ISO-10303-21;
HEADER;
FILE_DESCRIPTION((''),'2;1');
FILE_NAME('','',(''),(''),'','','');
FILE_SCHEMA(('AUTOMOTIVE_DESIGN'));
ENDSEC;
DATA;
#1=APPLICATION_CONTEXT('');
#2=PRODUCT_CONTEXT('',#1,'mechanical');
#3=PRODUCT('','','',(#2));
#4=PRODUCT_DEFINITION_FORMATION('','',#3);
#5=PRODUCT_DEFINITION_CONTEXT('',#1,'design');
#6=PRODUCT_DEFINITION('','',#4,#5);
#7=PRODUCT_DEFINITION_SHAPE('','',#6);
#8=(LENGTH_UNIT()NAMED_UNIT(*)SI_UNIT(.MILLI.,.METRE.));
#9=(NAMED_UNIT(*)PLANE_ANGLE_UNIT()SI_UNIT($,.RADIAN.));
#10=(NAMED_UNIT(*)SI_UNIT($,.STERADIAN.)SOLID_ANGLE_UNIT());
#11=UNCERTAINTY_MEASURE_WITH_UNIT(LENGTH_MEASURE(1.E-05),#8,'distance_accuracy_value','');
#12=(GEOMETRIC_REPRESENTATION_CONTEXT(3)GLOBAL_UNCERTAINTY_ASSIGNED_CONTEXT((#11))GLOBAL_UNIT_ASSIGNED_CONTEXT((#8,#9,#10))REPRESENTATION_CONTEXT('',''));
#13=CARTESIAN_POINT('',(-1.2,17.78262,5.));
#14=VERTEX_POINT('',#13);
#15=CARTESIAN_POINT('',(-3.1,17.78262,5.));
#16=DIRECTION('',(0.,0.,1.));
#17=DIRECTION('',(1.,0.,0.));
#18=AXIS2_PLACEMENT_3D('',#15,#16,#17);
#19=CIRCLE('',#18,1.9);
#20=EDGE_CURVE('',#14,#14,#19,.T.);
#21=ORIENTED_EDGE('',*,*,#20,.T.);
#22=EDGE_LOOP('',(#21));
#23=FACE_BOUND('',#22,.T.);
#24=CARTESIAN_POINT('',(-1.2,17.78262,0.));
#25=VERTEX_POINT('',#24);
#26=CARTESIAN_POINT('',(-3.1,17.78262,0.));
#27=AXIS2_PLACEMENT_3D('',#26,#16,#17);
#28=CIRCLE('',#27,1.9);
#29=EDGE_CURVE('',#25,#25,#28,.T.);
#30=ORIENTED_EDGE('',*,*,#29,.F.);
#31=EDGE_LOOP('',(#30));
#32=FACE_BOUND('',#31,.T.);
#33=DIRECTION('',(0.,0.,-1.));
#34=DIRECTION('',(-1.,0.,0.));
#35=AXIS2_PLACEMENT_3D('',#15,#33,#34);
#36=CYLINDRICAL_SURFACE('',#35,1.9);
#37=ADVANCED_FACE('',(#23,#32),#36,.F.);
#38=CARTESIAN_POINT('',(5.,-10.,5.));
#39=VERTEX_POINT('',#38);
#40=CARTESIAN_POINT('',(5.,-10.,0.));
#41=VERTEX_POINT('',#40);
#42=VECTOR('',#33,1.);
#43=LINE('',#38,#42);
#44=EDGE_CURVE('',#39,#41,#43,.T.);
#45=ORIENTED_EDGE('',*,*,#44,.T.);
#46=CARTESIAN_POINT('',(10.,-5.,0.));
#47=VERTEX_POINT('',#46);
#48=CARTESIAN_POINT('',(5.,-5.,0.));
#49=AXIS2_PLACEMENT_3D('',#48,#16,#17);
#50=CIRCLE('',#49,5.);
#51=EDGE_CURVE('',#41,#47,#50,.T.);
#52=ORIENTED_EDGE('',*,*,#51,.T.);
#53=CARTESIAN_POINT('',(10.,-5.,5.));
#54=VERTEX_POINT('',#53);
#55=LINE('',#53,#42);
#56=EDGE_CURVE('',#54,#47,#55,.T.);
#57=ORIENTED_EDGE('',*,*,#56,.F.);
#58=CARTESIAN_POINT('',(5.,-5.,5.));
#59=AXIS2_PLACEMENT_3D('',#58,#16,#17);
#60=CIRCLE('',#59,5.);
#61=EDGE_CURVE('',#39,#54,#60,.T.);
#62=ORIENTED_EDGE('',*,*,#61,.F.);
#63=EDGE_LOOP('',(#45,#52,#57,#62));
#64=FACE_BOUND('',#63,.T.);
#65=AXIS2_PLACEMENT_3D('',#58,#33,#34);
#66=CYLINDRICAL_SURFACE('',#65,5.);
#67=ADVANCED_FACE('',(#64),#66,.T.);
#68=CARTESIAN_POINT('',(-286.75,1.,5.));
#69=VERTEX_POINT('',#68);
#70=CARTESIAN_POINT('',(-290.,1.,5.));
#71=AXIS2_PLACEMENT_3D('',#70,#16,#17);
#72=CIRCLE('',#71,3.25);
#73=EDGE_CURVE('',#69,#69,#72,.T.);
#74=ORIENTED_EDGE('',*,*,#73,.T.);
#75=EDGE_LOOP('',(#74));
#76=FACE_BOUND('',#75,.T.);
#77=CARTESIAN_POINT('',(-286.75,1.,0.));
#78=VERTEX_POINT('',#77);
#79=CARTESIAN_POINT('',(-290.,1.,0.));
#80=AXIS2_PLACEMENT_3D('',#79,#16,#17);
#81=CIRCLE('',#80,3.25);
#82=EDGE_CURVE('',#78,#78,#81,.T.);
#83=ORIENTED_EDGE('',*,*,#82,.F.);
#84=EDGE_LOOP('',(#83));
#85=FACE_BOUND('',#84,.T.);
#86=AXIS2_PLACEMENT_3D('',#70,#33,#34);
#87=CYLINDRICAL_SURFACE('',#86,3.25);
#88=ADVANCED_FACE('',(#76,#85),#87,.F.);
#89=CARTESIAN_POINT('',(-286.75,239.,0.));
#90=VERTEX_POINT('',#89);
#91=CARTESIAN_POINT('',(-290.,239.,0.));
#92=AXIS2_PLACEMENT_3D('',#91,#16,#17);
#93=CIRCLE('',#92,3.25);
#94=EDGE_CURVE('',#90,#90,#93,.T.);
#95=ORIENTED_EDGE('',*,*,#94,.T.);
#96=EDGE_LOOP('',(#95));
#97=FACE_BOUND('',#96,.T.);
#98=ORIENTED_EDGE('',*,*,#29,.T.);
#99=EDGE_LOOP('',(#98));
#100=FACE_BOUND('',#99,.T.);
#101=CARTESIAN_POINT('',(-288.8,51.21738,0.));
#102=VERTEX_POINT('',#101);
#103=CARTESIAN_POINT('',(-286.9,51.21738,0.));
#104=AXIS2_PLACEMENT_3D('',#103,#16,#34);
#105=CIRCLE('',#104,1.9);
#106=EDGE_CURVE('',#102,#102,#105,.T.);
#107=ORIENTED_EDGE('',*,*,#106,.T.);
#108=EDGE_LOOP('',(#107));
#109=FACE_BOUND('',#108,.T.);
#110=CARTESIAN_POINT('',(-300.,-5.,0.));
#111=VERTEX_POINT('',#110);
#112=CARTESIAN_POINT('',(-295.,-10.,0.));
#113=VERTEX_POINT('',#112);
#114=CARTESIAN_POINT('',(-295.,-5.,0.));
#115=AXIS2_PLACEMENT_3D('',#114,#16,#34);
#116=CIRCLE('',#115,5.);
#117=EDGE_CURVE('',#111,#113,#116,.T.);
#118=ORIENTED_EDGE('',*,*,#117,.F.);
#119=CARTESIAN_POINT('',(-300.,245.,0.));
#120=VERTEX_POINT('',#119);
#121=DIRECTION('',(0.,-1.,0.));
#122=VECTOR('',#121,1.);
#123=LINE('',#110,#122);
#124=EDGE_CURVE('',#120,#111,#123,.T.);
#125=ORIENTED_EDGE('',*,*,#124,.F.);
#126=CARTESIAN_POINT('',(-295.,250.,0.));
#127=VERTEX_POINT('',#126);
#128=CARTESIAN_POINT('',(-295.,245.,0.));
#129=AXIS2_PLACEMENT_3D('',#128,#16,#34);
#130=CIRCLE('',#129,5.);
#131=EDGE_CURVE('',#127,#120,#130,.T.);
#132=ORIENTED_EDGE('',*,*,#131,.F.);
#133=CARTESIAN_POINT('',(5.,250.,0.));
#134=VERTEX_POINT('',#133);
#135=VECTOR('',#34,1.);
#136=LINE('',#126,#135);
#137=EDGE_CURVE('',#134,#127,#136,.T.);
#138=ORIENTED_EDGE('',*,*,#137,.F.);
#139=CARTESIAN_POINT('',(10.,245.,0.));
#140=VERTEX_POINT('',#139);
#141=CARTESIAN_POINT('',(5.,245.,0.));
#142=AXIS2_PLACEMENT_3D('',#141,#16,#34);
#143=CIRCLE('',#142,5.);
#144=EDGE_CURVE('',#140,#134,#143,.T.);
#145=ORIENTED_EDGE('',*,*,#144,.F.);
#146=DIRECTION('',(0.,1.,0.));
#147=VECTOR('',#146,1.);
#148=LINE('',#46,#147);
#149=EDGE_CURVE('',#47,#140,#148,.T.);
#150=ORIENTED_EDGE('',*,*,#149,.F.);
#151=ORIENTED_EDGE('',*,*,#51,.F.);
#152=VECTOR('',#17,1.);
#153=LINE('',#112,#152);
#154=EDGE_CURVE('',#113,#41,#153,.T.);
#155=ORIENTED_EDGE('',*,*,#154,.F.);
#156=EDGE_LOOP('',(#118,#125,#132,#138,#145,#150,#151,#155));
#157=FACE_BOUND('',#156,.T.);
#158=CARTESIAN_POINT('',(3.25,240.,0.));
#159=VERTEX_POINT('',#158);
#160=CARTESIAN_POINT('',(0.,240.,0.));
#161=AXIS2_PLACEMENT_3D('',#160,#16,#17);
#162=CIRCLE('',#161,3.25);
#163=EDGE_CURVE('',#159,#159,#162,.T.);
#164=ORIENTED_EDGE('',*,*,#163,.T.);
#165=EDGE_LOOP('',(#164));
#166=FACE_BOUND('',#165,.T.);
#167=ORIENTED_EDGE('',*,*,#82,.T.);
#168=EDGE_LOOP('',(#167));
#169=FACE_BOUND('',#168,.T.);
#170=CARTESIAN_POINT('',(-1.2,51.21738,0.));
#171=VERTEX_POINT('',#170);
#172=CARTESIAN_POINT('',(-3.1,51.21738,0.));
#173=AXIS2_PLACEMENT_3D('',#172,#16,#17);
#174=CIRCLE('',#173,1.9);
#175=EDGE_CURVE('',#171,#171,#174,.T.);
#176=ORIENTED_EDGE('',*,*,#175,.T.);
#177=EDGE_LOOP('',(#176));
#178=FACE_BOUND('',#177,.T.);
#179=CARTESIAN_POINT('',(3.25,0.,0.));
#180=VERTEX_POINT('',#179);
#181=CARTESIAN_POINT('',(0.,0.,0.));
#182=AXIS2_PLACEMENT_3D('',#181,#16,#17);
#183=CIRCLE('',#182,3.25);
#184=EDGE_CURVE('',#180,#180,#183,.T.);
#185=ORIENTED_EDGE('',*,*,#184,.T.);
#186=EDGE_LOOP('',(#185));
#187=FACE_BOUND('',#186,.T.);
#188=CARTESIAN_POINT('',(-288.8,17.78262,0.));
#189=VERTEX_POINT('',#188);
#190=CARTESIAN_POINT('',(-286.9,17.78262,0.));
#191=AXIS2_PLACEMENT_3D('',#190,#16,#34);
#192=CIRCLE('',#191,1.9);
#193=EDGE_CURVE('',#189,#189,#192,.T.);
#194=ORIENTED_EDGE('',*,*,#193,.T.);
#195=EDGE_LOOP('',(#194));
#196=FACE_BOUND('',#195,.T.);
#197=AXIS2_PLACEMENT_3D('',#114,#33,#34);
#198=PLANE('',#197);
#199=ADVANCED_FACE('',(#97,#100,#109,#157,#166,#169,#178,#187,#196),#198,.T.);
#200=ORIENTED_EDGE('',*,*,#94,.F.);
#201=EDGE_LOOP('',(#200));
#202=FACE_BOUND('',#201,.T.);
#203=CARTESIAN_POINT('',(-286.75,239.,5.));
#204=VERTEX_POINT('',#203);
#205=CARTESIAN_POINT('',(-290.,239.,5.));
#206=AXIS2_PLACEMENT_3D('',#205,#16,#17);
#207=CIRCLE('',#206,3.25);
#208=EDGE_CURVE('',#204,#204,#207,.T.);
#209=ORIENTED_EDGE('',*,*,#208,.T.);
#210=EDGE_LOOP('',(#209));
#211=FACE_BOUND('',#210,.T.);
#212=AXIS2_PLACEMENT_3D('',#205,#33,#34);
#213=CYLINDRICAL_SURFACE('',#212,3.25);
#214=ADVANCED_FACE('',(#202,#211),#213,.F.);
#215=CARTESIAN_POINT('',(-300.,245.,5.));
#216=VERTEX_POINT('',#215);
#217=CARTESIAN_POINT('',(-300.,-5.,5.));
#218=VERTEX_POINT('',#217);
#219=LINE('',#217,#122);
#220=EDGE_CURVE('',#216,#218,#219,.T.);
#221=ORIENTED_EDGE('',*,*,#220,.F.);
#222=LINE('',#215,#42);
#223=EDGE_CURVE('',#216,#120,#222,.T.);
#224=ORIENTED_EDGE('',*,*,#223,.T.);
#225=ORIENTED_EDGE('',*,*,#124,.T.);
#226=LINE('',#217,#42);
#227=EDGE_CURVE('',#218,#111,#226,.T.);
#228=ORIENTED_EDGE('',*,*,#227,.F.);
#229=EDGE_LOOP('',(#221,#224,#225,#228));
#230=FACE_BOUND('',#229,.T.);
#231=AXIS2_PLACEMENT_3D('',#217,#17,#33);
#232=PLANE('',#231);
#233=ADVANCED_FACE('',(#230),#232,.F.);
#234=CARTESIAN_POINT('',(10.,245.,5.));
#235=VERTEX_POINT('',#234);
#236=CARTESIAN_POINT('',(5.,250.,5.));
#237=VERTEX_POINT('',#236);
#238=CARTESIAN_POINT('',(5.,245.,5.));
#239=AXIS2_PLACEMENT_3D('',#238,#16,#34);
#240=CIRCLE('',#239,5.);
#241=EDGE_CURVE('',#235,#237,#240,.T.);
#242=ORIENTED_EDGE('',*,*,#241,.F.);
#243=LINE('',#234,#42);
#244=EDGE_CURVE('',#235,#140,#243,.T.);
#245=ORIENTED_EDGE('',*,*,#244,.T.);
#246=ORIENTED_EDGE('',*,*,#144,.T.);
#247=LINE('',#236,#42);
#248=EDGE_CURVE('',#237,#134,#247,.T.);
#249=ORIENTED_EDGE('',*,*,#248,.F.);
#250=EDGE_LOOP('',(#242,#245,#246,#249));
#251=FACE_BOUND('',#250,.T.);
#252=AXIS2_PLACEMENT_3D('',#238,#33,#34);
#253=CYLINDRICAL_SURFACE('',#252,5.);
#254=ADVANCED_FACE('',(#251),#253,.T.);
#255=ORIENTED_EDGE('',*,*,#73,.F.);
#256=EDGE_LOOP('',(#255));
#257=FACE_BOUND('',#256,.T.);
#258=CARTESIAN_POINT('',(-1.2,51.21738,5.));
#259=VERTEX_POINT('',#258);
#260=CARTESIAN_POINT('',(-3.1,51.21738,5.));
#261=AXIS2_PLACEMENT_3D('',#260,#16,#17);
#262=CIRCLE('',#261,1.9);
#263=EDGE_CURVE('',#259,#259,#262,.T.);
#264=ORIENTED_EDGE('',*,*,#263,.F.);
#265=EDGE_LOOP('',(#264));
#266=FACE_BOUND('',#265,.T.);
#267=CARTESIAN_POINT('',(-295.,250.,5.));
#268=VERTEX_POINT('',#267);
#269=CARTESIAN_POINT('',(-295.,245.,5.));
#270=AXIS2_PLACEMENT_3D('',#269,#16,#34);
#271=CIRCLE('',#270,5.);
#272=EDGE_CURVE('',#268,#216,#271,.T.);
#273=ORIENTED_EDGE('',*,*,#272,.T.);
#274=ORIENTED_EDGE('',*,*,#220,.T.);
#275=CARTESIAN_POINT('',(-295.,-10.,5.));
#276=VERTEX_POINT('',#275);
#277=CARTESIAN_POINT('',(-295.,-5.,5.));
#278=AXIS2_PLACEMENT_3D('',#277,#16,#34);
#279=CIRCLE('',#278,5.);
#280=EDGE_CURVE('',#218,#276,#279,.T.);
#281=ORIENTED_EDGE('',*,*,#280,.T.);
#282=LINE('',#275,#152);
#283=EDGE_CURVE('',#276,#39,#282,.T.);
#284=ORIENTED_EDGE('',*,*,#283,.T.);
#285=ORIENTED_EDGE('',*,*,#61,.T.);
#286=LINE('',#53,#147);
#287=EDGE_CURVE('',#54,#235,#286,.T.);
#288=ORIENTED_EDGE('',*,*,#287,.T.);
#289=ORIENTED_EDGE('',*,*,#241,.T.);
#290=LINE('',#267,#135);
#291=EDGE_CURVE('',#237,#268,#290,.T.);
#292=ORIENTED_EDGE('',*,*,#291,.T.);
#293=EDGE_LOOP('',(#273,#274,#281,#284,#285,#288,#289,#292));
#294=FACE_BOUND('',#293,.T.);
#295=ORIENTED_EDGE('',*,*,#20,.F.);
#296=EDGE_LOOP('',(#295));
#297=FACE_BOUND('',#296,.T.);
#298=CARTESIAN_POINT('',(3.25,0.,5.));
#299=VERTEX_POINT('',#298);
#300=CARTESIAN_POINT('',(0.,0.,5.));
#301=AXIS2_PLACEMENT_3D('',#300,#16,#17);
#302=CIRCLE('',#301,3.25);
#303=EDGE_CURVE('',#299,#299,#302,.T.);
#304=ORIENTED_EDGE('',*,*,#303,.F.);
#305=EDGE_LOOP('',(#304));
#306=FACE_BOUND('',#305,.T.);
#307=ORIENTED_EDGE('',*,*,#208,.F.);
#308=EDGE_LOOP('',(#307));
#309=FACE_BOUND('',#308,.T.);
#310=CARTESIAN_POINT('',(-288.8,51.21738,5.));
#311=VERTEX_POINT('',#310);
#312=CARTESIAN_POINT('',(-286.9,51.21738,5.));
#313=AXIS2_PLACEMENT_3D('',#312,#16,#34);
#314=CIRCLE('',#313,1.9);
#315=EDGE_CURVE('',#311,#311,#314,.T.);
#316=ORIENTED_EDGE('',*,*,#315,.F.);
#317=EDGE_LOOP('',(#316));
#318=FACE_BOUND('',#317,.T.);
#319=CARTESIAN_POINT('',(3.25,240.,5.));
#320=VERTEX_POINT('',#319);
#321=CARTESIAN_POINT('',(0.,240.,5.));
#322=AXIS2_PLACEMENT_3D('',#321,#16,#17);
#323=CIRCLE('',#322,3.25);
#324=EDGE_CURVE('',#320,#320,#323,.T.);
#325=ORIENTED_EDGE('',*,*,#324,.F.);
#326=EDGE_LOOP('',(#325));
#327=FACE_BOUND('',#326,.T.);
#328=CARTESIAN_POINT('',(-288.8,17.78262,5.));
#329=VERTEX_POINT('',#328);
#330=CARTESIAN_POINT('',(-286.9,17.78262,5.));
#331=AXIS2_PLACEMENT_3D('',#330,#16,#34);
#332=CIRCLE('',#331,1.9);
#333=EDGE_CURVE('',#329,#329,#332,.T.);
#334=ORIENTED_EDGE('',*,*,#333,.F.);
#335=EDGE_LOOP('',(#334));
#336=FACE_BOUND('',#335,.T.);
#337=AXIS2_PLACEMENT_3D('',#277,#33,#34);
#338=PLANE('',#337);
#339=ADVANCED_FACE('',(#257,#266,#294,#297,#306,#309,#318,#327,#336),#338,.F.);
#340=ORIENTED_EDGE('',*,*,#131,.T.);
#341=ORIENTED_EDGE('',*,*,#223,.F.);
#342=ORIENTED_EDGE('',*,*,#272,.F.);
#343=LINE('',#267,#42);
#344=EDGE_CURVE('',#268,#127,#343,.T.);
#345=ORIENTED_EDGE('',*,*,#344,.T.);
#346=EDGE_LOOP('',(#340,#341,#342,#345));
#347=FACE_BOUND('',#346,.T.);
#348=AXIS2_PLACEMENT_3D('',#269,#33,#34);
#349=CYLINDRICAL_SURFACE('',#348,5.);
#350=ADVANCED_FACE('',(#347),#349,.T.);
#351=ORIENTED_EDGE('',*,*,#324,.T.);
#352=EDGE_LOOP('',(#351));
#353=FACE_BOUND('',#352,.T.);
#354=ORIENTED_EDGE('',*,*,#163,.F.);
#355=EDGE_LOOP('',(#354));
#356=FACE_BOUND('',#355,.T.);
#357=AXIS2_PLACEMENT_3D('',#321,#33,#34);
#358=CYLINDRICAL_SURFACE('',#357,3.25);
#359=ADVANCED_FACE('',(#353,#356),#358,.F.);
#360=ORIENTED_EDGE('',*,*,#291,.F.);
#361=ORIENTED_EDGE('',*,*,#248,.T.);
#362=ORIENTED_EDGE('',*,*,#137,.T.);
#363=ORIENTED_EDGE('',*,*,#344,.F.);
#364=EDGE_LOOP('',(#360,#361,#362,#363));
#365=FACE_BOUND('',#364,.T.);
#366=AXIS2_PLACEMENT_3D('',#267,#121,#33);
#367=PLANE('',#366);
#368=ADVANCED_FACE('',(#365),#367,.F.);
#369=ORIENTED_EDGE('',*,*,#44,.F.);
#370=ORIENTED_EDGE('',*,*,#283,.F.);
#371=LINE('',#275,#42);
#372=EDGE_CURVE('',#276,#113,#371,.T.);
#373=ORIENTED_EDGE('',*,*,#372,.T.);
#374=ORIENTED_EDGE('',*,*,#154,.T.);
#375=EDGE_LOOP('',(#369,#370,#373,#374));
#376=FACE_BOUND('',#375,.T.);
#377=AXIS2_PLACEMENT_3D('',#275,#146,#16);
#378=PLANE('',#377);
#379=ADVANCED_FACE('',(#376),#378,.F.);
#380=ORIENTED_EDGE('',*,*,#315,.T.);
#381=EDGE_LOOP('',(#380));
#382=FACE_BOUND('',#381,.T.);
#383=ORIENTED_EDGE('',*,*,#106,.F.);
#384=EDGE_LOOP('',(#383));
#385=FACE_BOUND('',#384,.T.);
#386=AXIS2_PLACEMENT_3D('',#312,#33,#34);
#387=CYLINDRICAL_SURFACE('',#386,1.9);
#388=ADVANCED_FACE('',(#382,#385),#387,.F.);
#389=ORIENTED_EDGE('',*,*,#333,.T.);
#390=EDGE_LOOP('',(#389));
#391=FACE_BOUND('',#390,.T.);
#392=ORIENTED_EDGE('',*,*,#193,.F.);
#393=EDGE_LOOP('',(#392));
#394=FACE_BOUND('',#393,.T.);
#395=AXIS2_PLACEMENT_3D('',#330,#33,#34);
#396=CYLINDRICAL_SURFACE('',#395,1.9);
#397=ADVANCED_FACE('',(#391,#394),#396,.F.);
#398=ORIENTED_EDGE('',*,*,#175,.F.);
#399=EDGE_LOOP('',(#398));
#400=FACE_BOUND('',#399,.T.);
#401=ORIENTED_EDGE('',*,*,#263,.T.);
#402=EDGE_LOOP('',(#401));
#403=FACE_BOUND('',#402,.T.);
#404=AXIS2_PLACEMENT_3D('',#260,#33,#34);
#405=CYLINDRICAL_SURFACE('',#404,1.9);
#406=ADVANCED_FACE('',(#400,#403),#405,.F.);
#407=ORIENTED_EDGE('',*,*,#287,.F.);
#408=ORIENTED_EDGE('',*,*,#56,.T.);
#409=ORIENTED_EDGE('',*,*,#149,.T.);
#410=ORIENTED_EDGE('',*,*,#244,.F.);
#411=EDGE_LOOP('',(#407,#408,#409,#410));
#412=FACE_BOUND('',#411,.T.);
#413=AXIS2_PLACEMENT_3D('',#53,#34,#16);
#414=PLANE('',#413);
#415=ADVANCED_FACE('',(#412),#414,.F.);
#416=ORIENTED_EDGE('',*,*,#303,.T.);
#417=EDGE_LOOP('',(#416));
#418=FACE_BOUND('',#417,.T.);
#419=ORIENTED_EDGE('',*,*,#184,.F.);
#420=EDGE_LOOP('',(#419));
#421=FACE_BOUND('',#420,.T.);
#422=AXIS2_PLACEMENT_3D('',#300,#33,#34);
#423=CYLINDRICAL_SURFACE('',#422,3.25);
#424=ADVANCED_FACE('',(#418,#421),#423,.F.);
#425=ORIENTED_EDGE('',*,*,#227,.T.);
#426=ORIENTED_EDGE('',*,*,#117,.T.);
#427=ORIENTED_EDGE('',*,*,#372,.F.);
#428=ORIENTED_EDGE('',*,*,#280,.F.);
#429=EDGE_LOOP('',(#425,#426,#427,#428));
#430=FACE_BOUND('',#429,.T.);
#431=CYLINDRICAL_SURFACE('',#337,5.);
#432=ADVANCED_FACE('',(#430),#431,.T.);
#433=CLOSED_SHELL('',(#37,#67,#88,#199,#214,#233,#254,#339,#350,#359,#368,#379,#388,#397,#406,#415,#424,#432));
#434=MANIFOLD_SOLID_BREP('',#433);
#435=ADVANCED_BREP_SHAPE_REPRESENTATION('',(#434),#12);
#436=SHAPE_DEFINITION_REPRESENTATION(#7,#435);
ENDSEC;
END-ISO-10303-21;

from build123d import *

# Parameters (mm, degrees)
SKETCH1_R           = 3.25
SKETCH1_R_2         = 1.9
BOSS_EXTRUDE1_DEPTH = 5


with BuildPart() as part:
    # Sketch1 → Boss-Extrude1 (new body)
    with BuildSketch(Plane.XY):
        with BuildLine():
            Line((-295, -10), (5, -10))
            ThreePointArc((5, -10), (8.535533906, -8.535533906), (10, -5))
            Line((10, -5), (10, 245))
            ThreePointArc((10, 245), (8.535533906, 248.535533906), (5, 250))
            Line((5, 250), (-295, 250))
            ThreePointArc((-295, 250), (-298.535533906, 248.535533906), (-300, 245))
            Line((-300, 245), (-300, -5))
            ThreePointArc((-300, -5), (-298.535533906, -8.535533906), (-295, -10))
        make_face()
        Circle(SKETCH1_R, mode=Mode.SUBTRACT)
        with Locations((0, 240)):
            Circle(SKETCH1_R, mode=Mode.SUBTRACT)
        with Locations((-290, 239)):
            Circle(SKETCH1_R, mode=Mode.SUBTRACT)
        with Locations((-290, 1)):
            Circle(SKETCH1_R, mode=Mode.SUBTRACT)
        with Locations(Location((-286.899999971, 51.217380491, 0), (0, 0, 180))):
            Circle(SKETCH1_R_2, mode=Mode.SUBTRACT)
        with Locations(Location((-286.899999971, 17.782619509, 0), (0, 0, 180))):
            Circle(SKETCH1_R_2, mode=Mode.SUBTRACT)
        with Locations((-3.100000029, 17.782619509)):
            Circle(SKETCH1_R_2, mode=Mode.SUBTRACT)
        with Locations((-3.100000029, 51.217380491)):
            Circle(SKETCH1_R_2, mode=Mode.SUBTRACT)
    extrude(amount=BOSS_EXTRUDE1_DEPTH)


solid = part.part
